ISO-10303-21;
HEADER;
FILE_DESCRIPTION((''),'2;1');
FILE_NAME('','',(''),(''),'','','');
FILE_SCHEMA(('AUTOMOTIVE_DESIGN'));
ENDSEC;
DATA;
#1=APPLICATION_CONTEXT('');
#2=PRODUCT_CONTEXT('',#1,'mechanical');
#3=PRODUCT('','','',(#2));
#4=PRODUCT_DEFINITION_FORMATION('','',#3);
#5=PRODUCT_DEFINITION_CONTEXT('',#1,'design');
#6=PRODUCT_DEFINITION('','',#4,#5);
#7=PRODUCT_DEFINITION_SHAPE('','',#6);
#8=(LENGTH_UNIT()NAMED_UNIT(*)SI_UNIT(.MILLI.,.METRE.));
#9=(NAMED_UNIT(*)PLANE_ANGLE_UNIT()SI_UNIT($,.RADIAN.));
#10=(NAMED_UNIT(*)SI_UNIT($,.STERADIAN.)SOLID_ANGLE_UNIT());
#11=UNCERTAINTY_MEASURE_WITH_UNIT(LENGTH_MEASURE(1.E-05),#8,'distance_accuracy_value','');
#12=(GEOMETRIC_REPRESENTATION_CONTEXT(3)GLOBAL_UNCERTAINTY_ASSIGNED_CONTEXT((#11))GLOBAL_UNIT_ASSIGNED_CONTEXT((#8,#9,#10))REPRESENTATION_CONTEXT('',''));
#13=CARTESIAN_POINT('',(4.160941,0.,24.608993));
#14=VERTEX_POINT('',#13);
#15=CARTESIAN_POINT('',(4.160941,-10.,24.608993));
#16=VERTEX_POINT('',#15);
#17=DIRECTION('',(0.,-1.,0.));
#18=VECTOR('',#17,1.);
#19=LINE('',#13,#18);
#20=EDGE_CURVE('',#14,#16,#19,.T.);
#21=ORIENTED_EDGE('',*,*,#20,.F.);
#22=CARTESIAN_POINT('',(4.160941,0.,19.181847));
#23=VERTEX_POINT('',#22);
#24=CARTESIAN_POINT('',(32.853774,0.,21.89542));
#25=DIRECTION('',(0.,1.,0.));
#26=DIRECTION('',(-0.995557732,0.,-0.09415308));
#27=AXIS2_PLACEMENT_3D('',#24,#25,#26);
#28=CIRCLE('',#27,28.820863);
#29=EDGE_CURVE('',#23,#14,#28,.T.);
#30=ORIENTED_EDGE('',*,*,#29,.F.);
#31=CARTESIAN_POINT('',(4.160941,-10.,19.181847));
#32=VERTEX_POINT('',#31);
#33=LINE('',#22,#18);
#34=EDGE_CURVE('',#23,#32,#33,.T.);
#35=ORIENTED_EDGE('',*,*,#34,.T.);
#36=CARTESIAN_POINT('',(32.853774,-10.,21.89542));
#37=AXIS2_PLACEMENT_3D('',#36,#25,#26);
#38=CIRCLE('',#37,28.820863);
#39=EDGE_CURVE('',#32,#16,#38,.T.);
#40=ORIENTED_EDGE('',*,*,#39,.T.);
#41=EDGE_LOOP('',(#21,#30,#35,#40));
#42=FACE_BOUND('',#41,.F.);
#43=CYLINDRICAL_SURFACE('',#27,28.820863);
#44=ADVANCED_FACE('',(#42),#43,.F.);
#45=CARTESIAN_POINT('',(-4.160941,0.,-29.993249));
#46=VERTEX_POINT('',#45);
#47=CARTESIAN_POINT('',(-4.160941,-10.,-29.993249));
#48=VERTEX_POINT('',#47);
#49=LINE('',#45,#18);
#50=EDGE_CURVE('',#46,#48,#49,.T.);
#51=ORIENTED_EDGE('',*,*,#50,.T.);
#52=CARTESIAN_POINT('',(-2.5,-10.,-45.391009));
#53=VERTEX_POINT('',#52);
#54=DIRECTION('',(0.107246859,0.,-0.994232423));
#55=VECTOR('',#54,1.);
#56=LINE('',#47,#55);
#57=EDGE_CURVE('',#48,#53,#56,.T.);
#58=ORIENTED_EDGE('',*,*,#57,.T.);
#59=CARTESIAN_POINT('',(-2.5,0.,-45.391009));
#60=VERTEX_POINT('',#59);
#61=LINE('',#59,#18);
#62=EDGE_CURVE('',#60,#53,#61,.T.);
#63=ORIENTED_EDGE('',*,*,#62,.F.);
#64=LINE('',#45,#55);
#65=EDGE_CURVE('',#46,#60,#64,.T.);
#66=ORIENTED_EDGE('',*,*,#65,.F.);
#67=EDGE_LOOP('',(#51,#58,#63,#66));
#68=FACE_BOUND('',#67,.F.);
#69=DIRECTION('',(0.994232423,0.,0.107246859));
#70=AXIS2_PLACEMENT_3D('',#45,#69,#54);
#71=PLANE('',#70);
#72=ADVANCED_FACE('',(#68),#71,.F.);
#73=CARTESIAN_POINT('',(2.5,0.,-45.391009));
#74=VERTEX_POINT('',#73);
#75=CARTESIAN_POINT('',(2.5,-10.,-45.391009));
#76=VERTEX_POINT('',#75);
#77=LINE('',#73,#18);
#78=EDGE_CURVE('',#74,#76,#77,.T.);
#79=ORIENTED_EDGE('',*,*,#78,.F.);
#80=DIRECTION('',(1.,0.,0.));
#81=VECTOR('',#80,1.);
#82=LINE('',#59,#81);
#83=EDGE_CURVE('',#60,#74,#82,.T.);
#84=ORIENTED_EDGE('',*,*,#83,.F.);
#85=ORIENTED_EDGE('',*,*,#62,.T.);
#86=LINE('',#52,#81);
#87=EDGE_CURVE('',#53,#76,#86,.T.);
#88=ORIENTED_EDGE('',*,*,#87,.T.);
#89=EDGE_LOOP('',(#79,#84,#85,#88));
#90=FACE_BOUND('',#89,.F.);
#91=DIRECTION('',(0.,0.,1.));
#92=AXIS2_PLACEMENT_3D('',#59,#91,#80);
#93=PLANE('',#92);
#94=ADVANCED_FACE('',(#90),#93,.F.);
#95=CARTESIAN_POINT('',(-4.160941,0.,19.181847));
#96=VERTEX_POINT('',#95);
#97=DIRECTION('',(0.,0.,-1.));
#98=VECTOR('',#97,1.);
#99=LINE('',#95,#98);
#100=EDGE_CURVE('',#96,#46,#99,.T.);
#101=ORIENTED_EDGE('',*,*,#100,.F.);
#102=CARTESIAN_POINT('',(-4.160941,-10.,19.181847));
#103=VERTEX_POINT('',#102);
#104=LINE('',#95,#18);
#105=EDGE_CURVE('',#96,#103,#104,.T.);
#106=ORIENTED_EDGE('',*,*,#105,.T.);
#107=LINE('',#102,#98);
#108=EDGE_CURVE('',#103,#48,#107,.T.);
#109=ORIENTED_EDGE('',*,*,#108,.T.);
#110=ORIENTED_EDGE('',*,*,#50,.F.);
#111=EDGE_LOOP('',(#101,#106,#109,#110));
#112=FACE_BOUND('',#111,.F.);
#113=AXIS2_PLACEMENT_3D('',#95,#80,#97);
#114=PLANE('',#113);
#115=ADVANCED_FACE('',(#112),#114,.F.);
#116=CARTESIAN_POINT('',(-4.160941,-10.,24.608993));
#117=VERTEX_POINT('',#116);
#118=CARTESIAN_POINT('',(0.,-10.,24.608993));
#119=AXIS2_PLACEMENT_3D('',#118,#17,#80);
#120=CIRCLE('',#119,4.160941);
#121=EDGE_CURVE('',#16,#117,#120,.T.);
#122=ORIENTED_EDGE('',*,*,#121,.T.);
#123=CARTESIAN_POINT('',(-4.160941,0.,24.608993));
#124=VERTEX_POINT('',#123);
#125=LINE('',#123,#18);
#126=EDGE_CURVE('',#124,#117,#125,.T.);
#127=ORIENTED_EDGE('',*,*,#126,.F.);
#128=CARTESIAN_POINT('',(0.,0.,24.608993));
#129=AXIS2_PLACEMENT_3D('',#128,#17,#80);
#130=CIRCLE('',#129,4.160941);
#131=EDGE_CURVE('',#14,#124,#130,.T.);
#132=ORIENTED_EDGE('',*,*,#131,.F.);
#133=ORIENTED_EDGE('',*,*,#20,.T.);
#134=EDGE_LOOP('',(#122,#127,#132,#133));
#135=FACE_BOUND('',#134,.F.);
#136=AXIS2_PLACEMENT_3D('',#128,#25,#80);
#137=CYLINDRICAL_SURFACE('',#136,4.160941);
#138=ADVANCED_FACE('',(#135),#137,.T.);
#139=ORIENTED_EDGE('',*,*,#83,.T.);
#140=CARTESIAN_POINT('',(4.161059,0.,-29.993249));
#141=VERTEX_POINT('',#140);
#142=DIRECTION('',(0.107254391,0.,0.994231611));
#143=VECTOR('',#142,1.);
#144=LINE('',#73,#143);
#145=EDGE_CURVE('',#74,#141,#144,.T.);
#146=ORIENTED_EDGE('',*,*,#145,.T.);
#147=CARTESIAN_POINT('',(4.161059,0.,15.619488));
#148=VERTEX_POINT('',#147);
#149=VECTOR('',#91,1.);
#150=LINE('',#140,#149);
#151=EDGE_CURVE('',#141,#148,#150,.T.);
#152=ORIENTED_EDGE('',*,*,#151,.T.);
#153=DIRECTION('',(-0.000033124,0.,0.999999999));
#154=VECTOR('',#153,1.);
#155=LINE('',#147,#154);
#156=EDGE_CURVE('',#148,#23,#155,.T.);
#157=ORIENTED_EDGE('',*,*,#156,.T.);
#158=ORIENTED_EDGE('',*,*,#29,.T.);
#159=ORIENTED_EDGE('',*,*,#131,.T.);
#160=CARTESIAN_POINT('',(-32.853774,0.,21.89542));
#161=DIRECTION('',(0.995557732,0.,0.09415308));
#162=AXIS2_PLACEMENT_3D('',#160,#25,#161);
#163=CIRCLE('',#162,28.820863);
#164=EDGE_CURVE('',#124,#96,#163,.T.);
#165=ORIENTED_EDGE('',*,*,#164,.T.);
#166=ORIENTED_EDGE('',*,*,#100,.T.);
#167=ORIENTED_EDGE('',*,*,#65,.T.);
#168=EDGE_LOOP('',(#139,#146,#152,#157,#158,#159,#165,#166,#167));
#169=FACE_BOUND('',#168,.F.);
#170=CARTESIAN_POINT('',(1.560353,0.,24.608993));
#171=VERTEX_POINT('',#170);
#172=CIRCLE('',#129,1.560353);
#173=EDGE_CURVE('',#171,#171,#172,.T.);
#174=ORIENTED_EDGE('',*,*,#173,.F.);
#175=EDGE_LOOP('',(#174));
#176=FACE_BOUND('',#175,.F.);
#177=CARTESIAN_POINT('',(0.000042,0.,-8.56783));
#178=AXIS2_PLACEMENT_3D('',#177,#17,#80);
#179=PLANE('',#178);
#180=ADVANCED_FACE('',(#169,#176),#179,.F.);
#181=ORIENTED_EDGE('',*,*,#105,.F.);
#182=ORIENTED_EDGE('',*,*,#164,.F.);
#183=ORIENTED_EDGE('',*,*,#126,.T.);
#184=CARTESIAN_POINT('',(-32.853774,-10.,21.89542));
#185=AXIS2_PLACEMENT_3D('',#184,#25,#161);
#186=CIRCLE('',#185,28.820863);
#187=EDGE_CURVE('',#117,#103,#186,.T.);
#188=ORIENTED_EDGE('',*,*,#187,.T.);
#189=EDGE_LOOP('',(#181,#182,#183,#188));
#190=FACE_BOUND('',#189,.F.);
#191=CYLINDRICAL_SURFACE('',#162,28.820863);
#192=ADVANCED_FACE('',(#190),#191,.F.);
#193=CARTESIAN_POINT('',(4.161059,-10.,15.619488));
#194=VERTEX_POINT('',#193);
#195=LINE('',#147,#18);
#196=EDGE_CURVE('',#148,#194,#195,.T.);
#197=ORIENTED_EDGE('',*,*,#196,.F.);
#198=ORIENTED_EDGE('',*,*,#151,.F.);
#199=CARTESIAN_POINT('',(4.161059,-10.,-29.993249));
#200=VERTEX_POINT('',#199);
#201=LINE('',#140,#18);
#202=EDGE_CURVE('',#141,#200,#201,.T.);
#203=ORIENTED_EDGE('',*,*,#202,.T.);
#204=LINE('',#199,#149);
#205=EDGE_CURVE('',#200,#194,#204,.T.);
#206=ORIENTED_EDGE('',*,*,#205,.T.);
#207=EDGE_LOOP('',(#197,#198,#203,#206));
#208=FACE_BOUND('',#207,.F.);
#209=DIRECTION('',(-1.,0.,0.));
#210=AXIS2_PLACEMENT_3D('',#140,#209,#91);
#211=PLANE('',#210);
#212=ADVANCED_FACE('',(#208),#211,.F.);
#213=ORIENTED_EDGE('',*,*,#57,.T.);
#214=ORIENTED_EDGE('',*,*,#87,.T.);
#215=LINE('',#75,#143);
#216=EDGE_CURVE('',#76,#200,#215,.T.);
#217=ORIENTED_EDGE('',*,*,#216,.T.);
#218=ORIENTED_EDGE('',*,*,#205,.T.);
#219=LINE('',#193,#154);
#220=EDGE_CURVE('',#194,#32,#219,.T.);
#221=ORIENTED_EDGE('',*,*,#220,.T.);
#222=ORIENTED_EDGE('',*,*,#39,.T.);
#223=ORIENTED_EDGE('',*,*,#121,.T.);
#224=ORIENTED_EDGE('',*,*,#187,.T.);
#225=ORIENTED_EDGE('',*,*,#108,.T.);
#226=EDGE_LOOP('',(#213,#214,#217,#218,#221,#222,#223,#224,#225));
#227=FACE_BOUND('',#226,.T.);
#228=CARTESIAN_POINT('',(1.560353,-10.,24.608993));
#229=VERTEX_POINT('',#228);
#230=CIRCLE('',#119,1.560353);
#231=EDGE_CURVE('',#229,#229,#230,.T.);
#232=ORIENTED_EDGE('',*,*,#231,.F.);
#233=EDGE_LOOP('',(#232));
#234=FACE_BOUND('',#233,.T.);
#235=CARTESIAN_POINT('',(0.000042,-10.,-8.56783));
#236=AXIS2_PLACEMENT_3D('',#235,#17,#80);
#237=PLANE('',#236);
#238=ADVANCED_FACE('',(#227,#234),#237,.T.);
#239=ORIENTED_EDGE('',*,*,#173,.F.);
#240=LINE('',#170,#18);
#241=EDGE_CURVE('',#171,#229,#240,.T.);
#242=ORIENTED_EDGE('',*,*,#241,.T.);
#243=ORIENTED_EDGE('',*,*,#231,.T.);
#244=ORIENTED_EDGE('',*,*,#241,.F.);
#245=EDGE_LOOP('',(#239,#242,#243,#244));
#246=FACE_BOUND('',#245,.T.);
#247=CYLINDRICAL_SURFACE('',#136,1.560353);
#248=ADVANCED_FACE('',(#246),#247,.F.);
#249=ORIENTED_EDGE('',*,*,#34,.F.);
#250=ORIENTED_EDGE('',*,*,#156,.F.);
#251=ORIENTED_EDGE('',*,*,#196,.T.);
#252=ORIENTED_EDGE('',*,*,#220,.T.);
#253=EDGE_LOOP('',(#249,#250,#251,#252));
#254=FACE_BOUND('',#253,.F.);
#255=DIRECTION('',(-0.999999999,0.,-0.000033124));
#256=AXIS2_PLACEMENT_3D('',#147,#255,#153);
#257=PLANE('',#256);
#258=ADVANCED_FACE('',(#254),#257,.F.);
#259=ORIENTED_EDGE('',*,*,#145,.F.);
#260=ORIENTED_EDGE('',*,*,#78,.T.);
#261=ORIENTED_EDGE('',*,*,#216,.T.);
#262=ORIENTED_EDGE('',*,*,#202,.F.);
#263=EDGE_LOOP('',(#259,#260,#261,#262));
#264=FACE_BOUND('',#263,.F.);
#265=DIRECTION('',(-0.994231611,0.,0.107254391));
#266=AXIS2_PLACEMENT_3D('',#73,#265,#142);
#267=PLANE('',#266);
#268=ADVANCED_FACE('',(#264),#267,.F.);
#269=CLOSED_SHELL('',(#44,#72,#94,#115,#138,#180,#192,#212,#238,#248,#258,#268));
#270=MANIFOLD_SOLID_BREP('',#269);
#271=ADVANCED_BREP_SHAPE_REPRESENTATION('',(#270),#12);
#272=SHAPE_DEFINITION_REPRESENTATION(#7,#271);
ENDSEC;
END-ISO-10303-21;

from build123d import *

# Parameters (mm, degrees)
F0_R     = 1.560353
F1_DEPTH = 10


with BuildPart() as f1:
    # F0 (on Front) → F1 (new body)
    with BuildSketch(Plane.XZ):
        with BuildLine():
            ThreePointArc((-4.160941, 24.608993), (-4.032911, 21.89542), (-4.160941, 19.181847))
            Line((-4.160941, 19.181847), (-4.160941, -29.993249))
            Line((-4.160941, -29.993249), (-2.5, -45.391009))
            Line((-2.5, -45.391009), (2.5, -45.391009))
            Line((2.5, -45.391009), (4.161059, -29.993249))
            Line((4.161059, -29.993249), (4.161059, 15.619488))
            Line((4.161059, 15.619488), (4.160941, 19.181847))
            ThreePointArc((4.160941, 19.181847), (4.032911, 21.89542), (4.160941, 24.608993))
            ThreePointArc((4.160941, 24.608993), (0, 28.769934), (-4.160941, 24.608993))
        make_face()
        with Locations((0, 24.608993)):
            Circle(F0_R, mode=Mode.SUBTRACT)
    extrude(amount=F1_DEPTH)


solid = f1.part
